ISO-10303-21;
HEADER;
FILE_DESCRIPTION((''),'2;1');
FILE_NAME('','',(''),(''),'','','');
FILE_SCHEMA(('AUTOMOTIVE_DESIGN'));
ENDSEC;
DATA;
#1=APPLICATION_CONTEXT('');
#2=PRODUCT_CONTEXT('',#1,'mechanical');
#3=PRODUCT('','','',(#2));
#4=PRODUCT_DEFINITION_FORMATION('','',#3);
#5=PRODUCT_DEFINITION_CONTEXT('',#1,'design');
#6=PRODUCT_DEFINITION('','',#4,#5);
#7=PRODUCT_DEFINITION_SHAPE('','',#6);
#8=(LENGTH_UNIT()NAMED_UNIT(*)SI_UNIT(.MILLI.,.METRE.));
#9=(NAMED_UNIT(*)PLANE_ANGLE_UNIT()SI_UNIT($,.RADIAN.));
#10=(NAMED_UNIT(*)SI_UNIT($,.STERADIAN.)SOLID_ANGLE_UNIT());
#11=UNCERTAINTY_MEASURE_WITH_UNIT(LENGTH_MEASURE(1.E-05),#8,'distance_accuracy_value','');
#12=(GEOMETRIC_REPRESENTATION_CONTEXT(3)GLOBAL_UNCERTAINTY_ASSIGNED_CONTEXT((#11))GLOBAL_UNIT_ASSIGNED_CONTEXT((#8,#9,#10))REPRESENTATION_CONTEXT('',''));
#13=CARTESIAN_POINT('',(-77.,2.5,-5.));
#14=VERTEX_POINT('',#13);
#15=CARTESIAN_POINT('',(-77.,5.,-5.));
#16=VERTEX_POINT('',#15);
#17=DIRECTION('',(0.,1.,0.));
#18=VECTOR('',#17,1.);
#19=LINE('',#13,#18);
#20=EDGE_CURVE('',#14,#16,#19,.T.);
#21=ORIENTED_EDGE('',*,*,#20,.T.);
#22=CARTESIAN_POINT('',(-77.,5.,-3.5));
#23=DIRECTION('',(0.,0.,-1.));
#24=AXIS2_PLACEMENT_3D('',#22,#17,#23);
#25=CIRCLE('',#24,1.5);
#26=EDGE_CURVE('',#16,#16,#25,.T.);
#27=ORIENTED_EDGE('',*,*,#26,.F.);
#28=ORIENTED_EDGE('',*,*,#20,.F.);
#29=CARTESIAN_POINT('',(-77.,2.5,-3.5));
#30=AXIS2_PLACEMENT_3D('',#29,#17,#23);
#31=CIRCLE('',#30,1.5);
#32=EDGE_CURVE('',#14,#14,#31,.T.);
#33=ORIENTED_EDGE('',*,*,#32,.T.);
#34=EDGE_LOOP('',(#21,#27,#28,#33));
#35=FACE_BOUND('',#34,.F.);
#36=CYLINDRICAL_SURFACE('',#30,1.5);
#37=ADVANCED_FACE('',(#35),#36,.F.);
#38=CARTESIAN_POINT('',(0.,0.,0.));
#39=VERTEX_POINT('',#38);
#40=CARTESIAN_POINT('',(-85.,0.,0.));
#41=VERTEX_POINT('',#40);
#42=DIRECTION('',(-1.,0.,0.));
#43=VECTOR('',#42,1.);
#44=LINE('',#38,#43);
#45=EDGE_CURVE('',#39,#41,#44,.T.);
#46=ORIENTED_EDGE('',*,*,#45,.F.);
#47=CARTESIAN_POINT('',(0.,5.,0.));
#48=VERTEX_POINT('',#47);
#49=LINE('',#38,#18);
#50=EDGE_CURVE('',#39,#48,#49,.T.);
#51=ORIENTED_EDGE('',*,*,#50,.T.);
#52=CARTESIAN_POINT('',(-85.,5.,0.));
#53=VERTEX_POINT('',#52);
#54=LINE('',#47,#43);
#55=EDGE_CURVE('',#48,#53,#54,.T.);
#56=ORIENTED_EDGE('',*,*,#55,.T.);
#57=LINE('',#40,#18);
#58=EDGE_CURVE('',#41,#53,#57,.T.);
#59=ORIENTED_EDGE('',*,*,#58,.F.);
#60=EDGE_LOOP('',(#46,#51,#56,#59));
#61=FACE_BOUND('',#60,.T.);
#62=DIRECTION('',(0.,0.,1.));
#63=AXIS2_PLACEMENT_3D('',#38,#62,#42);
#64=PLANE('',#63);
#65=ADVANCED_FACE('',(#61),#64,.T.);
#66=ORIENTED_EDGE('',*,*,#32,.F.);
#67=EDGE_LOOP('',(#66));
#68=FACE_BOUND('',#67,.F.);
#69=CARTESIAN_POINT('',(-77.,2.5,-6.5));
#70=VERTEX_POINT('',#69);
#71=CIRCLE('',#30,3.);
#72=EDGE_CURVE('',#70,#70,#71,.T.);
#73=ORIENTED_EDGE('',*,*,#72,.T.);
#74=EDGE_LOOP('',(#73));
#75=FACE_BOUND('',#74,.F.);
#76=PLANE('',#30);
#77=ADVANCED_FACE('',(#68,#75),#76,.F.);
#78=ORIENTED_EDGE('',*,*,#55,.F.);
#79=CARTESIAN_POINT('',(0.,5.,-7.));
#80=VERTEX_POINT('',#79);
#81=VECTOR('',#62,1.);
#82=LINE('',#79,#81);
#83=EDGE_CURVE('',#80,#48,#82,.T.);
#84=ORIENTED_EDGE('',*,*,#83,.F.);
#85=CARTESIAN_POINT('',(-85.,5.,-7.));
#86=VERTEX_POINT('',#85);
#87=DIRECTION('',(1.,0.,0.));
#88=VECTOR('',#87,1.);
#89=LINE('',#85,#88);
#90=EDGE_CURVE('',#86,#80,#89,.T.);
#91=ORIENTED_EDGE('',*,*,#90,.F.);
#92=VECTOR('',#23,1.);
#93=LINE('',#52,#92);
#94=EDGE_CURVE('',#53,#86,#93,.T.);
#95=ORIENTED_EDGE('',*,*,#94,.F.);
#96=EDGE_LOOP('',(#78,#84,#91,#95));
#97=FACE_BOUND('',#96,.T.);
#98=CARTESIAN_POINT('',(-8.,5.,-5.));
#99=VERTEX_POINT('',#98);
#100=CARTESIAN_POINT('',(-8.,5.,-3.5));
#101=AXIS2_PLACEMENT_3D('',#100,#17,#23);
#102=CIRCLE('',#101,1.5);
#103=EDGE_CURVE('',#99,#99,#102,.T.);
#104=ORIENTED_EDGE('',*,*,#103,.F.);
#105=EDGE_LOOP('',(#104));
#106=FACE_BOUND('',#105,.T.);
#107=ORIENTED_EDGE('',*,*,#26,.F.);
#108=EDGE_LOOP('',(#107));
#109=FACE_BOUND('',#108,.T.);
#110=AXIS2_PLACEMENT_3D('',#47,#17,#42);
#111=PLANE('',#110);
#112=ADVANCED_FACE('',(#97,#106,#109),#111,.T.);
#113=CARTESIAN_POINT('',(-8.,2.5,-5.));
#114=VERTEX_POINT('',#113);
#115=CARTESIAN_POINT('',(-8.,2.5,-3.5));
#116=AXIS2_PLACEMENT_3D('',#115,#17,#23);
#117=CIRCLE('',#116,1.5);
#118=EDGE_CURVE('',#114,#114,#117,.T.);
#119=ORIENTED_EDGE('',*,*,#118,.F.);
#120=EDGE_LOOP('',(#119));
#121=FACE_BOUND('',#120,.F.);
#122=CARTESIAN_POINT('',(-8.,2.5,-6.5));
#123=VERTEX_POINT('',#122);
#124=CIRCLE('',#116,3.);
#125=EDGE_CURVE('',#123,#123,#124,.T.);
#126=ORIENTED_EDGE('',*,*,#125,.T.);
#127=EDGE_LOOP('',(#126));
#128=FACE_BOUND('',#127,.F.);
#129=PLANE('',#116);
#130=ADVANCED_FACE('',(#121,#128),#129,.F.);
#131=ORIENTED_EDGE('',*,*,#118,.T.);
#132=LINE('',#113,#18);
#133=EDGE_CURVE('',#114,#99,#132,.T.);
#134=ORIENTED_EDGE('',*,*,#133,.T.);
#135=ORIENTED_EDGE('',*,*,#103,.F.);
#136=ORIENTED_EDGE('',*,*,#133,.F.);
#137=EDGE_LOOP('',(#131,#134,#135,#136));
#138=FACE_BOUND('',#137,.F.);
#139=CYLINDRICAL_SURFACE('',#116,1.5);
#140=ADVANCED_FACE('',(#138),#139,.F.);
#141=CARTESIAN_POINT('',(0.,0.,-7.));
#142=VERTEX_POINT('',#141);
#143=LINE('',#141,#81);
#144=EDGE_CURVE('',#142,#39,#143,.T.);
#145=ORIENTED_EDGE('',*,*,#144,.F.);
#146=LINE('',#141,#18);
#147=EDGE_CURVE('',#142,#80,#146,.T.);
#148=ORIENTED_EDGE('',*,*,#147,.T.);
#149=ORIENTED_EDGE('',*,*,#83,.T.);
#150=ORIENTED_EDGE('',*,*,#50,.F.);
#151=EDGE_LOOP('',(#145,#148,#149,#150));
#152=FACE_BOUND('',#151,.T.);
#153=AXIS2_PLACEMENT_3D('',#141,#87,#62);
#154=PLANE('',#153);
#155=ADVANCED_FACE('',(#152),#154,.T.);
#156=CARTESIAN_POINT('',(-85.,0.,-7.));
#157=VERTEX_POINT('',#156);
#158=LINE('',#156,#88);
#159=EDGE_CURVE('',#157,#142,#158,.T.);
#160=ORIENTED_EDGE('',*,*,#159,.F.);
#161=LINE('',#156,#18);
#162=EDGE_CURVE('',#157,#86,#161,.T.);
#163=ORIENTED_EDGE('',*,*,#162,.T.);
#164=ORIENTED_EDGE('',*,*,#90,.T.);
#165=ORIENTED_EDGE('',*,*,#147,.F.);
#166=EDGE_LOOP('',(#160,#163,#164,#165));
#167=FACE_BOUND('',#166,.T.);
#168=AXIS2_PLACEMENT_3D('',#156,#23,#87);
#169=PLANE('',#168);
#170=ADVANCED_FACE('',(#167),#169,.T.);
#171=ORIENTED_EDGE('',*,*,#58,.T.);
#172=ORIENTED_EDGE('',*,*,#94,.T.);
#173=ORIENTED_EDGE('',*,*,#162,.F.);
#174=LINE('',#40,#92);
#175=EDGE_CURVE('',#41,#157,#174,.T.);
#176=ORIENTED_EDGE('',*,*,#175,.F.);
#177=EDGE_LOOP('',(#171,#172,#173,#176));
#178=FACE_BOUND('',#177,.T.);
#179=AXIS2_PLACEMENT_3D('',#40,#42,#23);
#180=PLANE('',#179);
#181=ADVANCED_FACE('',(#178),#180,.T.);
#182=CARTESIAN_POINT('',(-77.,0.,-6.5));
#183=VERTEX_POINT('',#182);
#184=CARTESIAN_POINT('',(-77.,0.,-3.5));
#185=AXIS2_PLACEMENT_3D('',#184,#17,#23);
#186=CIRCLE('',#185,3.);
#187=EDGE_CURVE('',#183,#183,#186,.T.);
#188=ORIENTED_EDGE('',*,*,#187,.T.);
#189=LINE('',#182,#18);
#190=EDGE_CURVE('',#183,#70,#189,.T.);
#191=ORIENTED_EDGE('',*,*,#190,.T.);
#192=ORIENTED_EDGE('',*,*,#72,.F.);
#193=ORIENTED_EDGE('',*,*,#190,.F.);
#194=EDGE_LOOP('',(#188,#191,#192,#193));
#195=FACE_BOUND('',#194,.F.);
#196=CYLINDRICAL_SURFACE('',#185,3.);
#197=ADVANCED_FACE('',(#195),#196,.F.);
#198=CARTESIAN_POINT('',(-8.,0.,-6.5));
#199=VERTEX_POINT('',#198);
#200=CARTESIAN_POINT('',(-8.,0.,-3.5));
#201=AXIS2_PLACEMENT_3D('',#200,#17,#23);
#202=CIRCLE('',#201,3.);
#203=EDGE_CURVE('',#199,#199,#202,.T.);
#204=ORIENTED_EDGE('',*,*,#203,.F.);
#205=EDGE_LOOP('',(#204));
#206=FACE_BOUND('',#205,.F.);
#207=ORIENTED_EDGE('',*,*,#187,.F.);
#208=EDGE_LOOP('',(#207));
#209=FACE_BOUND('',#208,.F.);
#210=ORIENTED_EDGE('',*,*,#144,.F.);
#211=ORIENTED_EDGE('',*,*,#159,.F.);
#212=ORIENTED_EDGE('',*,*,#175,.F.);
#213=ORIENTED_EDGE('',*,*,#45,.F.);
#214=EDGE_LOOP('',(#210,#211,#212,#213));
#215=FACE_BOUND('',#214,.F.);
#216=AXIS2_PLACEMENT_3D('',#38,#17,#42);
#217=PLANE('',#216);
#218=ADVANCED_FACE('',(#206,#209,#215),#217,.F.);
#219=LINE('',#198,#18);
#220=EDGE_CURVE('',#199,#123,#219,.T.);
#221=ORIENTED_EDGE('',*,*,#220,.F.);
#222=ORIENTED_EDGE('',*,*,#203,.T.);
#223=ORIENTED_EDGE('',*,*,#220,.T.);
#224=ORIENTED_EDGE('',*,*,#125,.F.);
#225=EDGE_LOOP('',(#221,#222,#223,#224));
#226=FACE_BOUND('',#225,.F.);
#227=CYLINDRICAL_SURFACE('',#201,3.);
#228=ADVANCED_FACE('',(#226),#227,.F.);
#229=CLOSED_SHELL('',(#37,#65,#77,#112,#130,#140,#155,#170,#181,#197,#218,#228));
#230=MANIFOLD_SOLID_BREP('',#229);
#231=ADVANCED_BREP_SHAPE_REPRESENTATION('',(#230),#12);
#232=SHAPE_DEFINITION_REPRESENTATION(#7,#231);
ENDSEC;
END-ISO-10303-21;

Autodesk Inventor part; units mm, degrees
ref_plane "YZ Plane" through (0, 0, 0) normal (1, 0, 0) x (0, 1, 0)
ref_plane "XZ Plane" through (0, 0, 0) normal (0, 1, 0) x (-1, 0, 0)
ref_plane "XY Plane" through (0, 0, 0) normal (0, 0, 1) x (1, 0, 0)
sketch "Sketch1" plane through (0, 0, 0) normal (0, 1, 0) x (-1, 0, 0)
  line L0 (0, 0) -> (85, 0)
  line L1 (85, 0) -> (85, -7)
  line L2 (85, -7) -> (0, -7)
  line L3 (0, -7) -> (0, 0)
  line L4 (42.5, 3) -> (42.5, -16) construction
  line L5 (45, -3.5) -> (39, -3.5) construction
  point P0 (77, -3.5)
  point P1 (8, -3.5)
  dimension "d0" = 85
  dimension "d1" = 7
  dimension "d2" = 69
  dimension "d12" = 3.5
extrude "Extrusion1" add sketch "Sketch1" along normal blind 5
hole "Hole1" at (-77, 0, -3.5) at (-8, 0, -3.5) direction (0, 1, 0) diameter 3 end through all counterbore diameter 6 counterbore depth 2.5
properties part number "Rail" material "Wood (Birch)"
